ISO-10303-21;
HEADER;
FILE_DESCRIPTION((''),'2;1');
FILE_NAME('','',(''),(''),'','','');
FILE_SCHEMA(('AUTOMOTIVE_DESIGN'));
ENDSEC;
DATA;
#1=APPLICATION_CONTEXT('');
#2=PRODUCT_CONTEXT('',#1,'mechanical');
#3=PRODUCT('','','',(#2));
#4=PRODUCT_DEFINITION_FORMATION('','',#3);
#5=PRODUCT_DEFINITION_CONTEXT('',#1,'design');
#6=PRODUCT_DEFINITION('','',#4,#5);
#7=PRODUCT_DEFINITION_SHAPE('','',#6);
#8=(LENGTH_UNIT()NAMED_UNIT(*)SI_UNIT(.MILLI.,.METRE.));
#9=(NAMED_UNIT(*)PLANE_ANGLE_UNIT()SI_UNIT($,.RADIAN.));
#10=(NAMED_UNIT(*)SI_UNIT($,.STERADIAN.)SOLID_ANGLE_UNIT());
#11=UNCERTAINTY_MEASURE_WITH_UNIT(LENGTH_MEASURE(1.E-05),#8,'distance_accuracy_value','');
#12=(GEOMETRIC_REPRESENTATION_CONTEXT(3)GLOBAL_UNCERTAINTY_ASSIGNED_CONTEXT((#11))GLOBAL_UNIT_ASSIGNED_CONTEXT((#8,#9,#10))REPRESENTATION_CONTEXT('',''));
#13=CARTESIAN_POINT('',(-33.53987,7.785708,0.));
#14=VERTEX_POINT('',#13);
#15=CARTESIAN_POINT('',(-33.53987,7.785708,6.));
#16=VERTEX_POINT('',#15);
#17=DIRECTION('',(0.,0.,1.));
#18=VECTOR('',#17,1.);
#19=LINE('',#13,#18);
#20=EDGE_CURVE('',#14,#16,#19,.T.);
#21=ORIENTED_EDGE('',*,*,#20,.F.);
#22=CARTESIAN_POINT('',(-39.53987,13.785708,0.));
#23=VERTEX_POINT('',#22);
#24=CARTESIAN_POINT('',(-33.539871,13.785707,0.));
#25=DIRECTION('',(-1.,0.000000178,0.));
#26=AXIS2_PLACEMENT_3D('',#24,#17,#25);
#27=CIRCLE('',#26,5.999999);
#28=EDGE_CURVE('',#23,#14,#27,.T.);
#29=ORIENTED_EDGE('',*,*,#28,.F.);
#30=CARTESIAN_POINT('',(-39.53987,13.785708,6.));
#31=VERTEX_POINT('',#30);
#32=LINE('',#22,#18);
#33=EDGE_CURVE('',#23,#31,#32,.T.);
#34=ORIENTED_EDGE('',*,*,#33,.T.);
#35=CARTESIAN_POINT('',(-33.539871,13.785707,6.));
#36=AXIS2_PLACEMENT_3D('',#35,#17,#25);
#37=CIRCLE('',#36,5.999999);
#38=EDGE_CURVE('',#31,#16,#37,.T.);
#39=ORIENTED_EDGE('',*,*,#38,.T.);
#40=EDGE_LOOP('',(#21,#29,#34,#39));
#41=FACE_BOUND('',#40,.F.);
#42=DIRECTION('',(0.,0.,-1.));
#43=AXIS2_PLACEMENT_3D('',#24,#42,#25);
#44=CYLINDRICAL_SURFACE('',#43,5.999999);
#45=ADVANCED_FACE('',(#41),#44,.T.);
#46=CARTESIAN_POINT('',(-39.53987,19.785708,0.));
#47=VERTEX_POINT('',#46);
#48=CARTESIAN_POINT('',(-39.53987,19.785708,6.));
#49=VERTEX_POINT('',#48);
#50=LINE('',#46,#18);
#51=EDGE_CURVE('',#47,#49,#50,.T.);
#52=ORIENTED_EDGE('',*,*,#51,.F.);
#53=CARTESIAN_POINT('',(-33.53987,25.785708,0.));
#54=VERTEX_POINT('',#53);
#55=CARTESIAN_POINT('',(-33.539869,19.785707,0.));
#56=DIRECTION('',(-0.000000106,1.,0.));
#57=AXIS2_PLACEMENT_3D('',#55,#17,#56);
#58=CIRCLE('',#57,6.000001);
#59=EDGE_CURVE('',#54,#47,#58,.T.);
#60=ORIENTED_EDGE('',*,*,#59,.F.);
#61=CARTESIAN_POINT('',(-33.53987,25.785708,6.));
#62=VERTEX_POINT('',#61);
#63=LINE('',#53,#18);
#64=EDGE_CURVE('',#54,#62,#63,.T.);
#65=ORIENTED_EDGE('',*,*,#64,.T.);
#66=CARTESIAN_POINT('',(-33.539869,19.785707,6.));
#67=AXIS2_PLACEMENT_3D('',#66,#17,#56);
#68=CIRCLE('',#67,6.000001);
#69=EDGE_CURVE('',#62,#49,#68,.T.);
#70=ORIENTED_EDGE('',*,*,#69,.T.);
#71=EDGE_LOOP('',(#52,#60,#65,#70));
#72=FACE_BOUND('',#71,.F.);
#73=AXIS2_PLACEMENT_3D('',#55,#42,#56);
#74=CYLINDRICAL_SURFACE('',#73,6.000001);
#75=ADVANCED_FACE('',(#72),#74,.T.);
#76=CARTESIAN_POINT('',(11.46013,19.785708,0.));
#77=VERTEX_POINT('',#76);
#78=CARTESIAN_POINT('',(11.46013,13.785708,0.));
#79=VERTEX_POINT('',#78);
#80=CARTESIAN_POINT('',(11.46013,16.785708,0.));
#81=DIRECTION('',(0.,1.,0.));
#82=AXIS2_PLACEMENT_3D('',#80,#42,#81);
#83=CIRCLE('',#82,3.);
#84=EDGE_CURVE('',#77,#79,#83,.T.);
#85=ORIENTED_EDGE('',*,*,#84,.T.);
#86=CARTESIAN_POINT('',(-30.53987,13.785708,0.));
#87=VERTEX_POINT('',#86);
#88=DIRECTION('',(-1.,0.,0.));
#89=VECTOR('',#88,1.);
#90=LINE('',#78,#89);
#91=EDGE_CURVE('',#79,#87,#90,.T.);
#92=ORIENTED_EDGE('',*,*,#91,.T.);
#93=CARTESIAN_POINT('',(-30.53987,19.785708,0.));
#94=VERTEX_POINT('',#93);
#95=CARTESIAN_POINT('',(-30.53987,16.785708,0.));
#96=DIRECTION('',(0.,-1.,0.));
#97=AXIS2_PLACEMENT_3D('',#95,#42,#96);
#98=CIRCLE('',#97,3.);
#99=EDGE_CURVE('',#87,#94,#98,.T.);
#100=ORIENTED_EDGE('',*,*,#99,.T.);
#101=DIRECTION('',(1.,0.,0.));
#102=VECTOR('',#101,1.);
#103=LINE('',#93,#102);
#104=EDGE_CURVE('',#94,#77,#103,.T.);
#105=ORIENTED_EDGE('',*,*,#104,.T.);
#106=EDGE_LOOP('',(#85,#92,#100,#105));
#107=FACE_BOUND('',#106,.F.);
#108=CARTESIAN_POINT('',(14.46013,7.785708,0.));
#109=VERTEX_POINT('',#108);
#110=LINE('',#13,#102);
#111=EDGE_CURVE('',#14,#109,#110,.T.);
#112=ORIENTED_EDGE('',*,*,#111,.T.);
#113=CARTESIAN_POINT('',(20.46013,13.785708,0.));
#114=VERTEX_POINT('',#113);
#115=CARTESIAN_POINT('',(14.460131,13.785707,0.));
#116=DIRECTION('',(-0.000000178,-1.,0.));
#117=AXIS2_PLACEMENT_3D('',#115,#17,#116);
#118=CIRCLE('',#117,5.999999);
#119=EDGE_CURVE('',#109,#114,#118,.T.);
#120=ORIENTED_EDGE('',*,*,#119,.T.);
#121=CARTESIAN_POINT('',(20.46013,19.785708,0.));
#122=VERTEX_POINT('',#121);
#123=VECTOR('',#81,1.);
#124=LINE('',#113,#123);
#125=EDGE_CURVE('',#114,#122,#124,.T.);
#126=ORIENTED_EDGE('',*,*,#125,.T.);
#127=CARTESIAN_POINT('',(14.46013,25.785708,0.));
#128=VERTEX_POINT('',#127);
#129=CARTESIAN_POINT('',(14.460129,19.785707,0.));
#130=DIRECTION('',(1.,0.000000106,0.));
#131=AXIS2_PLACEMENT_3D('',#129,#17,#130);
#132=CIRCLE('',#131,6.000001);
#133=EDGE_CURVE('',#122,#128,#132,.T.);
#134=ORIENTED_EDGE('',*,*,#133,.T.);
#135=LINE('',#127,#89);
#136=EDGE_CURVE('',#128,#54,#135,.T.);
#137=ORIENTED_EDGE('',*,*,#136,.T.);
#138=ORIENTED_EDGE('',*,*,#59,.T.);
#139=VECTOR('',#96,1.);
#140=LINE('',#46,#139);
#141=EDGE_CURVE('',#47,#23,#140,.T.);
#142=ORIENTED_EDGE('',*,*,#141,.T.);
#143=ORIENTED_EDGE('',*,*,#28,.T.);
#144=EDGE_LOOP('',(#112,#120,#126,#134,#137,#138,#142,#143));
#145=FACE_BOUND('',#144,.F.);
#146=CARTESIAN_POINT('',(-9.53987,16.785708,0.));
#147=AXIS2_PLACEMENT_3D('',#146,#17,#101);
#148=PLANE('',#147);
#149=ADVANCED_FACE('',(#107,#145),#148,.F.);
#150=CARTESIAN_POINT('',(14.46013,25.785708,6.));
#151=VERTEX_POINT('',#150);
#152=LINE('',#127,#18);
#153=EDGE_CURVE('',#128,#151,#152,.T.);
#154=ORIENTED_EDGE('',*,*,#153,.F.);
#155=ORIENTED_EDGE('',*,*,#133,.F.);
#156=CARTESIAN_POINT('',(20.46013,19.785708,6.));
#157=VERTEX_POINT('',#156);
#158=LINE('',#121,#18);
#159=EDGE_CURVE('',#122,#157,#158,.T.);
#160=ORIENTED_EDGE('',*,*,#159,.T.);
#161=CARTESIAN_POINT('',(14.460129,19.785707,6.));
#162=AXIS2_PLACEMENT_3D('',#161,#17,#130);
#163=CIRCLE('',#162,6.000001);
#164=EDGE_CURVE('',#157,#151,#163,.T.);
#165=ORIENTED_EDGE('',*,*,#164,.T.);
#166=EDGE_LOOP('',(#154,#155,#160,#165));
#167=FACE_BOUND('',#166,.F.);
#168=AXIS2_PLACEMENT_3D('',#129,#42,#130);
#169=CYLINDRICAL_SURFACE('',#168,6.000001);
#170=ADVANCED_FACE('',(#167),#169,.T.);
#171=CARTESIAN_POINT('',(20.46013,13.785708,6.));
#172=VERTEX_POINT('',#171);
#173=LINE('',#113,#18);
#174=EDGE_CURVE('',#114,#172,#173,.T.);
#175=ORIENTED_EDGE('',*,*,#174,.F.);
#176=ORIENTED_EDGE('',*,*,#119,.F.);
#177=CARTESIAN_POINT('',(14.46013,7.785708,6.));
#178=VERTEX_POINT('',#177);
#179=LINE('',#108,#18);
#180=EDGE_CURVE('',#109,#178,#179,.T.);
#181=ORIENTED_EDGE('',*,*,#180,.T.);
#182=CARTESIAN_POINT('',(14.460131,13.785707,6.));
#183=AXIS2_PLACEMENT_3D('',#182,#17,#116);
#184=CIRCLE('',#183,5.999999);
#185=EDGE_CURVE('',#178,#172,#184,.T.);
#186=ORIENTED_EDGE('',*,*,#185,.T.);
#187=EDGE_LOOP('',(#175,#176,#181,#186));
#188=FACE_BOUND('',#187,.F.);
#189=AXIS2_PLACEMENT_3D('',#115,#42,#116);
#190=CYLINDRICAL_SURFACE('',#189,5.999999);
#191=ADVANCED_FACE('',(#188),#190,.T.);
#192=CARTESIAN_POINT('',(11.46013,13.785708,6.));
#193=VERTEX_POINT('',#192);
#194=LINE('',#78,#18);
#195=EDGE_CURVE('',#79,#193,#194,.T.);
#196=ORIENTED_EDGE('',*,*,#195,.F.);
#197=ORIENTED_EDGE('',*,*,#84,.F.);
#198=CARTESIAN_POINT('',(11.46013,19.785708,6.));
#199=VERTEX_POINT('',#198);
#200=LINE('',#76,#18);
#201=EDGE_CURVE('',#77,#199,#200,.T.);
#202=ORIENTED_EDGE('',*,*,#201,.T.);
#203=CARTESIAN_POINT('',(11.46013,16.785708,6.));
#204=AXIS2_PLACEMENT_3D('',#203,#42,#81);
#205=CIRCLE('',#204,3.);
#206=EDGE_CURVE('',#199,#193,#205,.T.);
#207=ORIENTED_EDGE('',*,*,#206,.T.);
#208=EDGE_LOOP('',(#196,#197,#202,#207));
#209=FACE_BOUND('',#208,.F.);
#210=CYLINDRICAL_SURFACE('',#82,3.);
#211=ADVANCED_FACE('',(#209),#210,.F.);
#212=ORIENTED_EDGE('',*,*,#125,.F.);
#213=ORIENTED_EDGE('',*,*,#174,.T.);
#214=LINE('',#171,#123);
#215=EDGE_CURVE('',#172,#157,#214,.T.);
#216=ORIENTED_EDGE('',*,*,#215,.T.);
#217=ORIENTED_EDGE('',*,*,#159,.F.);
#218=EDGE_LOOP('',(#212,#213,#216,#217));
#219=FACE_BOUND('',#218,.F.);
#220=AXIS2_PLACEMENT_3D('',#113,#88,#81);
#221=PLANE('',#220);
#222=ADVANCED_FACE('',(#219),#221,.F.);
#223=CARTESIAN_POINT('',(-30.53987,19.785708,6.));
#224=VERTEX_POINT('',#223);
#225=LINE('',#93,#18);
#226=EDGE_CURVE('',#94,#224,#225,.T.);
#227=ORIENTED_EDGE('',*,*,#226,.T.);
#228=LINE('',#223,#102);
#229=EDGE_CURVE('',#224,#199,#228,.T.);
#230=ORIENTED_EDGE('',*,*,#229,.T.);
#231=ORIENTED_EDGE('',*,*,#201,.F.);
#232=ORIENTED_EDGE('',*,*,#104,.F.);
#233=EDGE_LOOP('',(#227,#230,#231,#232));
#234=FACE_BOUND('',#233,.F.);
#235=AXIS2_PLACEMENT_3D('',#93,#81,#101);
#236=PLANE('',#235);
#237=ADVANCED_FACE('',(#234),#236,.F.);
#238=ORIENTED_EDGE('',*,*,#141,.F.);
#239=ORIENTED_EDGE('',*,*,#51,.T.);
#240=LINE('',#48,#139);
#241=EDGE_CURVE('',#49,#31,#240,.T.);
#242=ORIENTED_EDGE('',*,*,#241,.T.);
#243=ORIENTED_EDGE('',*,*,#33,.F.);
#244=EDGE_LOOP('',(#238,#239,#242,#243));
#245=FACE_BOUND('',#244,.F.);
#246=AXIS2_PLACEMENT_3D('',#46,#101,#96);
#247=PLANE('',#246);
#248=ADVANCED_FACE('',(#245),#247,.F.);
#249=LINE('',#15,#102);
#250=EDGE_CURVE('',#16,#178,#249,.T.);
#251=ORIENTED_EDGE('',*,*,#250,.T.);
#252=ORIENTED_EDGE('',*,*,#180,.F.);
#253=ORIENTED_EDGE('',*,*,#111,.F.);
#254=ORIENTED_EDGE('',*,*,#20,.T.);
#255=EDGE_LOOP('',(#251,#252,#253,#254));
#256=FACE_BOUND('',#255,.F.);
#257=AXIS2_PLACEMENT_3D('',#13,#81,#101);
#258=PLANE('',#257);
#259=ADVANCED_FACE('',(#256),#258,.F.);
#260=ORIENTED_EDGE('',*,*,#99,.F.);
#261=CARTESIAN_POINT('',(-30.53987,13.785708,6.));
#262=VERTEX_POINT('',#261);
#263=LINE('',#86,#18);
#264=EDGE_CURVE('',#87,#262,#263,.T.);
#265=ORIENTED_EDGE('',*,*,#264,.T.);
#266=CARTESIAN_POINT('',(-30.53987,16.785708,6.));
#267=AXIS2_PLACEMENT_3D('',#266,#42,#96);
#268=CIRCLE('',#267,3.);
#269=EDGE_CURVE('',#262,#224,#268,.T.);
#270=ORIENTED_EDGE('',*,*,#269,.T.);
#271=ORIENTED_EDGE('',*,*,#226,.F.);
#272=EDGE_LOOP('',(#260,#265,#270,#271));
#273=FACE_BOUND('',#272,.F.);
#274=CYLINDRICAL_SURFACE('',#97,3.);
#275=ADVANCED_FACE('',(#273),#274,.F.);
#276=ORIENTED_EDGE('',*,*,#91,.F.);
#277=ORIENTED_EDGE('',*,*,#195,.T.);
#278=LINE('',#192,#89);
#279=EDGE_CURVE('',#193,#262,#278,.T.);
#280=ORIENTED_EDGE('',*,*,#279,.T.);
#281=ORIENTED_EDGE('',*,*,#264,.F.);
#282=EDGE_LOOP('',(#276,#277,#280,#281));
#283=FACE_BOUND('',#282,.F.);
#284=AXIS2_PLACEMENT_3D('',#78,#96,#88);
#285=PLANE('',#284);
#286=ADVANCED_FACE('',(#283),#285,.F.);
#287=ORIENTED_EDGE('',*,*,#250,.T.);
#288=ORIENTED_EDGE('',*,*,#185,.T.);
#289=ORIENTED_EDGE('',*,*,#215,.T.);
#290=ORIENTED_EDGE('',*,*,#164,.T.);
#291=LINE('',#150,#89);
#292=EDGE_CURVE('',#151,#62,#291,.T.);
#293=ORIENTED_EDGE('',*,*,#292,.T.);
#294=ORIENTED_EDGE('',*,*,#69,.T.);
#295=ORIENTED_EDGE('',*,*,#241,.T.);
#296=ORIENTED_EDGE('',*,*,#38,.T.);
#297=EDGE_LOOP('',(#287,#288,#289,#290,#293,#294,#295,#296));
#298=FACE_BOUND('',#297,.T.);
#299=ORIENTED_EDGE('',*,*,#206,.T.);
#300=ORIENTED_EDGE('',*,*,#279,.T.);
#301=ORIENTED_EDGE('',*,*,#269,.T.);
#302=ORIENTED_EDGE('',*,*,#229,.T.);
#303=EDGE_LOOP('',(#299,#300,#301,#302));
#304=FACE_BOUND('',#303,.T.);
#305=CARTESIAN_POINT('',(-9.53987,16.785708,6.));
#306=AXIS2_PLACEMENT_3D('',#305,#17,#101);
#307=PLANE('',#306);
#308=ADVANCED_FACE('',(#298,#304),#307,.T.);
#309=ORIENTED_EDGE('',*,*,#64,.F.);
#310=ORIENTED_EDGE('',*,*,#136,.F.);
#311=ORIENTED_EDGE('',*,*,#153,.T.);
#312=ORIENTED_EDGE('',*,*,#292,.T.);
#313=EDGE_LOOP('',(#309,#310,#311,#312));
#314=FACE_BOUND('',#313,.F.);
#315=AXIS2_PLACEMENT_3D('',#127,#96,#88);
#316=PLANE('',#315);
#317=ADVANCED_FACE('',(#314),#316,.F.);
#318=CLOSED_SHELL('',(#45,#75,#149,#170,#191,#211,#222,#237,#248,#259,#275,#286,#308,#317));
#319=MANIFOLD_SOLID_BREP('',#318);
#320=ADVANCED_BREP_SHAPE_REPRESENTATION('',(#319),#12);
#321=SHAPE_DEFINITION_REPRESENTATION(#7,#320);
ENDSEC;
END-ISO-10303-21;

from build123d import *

# Parameters (mm, degrees)
F1_DEPTH = 6


with BuildPart() as f1:
    # F0 (on Top) → F1 (new body)
    with BuildSketch(Plane.XY):
        with BuildLine():
            ThreePointArc((-39.53987, 13.785708), (-37.782511, 9.543067), (-33.53987, 7.785708))
            Line((-33.53987, 7.785708), (14.46013, 7.785708))
            ThreePointArc((14.46013, 7.785708), (18.702771, 9.543067), (20.46013, 13.785708))
            Line((20.46013, 13.785708), (20.46013, 19.785708))
            ThreePointArc((20.46013, 19.785708), (18.702771, 24.028348), (14.46013, 25.785708))
            Line((14.46013, 25.785708), (-33.53987, 25.785708))
            ThreePointArc((-33.53987, 25.785708), (-37.782511, 24.028348), (-39.53987, 19.785708))
            Line((-39.53987, 19.785708), (-39.53987, 13.785708))
        make_face()
        with BuildLine():
            Line((11.46013, 13.785708), (-30.53987, 13.785708))
            ThreePointArc((-30.53987, 13.785708), (-33.53987, 16.785708), (-30.53987, 19.785708))
            Line((-30.53987, 19.785708), (11.46013, 19.785708))
            ThreePointArc((11.46013, 19.785708), (14.46013, 16.785708), (11.46013, 13.785708))
        make_face(mode=Mode.SUBTRACT)
    extrude(amount=F1_DEPTH)


solid = f1.part
